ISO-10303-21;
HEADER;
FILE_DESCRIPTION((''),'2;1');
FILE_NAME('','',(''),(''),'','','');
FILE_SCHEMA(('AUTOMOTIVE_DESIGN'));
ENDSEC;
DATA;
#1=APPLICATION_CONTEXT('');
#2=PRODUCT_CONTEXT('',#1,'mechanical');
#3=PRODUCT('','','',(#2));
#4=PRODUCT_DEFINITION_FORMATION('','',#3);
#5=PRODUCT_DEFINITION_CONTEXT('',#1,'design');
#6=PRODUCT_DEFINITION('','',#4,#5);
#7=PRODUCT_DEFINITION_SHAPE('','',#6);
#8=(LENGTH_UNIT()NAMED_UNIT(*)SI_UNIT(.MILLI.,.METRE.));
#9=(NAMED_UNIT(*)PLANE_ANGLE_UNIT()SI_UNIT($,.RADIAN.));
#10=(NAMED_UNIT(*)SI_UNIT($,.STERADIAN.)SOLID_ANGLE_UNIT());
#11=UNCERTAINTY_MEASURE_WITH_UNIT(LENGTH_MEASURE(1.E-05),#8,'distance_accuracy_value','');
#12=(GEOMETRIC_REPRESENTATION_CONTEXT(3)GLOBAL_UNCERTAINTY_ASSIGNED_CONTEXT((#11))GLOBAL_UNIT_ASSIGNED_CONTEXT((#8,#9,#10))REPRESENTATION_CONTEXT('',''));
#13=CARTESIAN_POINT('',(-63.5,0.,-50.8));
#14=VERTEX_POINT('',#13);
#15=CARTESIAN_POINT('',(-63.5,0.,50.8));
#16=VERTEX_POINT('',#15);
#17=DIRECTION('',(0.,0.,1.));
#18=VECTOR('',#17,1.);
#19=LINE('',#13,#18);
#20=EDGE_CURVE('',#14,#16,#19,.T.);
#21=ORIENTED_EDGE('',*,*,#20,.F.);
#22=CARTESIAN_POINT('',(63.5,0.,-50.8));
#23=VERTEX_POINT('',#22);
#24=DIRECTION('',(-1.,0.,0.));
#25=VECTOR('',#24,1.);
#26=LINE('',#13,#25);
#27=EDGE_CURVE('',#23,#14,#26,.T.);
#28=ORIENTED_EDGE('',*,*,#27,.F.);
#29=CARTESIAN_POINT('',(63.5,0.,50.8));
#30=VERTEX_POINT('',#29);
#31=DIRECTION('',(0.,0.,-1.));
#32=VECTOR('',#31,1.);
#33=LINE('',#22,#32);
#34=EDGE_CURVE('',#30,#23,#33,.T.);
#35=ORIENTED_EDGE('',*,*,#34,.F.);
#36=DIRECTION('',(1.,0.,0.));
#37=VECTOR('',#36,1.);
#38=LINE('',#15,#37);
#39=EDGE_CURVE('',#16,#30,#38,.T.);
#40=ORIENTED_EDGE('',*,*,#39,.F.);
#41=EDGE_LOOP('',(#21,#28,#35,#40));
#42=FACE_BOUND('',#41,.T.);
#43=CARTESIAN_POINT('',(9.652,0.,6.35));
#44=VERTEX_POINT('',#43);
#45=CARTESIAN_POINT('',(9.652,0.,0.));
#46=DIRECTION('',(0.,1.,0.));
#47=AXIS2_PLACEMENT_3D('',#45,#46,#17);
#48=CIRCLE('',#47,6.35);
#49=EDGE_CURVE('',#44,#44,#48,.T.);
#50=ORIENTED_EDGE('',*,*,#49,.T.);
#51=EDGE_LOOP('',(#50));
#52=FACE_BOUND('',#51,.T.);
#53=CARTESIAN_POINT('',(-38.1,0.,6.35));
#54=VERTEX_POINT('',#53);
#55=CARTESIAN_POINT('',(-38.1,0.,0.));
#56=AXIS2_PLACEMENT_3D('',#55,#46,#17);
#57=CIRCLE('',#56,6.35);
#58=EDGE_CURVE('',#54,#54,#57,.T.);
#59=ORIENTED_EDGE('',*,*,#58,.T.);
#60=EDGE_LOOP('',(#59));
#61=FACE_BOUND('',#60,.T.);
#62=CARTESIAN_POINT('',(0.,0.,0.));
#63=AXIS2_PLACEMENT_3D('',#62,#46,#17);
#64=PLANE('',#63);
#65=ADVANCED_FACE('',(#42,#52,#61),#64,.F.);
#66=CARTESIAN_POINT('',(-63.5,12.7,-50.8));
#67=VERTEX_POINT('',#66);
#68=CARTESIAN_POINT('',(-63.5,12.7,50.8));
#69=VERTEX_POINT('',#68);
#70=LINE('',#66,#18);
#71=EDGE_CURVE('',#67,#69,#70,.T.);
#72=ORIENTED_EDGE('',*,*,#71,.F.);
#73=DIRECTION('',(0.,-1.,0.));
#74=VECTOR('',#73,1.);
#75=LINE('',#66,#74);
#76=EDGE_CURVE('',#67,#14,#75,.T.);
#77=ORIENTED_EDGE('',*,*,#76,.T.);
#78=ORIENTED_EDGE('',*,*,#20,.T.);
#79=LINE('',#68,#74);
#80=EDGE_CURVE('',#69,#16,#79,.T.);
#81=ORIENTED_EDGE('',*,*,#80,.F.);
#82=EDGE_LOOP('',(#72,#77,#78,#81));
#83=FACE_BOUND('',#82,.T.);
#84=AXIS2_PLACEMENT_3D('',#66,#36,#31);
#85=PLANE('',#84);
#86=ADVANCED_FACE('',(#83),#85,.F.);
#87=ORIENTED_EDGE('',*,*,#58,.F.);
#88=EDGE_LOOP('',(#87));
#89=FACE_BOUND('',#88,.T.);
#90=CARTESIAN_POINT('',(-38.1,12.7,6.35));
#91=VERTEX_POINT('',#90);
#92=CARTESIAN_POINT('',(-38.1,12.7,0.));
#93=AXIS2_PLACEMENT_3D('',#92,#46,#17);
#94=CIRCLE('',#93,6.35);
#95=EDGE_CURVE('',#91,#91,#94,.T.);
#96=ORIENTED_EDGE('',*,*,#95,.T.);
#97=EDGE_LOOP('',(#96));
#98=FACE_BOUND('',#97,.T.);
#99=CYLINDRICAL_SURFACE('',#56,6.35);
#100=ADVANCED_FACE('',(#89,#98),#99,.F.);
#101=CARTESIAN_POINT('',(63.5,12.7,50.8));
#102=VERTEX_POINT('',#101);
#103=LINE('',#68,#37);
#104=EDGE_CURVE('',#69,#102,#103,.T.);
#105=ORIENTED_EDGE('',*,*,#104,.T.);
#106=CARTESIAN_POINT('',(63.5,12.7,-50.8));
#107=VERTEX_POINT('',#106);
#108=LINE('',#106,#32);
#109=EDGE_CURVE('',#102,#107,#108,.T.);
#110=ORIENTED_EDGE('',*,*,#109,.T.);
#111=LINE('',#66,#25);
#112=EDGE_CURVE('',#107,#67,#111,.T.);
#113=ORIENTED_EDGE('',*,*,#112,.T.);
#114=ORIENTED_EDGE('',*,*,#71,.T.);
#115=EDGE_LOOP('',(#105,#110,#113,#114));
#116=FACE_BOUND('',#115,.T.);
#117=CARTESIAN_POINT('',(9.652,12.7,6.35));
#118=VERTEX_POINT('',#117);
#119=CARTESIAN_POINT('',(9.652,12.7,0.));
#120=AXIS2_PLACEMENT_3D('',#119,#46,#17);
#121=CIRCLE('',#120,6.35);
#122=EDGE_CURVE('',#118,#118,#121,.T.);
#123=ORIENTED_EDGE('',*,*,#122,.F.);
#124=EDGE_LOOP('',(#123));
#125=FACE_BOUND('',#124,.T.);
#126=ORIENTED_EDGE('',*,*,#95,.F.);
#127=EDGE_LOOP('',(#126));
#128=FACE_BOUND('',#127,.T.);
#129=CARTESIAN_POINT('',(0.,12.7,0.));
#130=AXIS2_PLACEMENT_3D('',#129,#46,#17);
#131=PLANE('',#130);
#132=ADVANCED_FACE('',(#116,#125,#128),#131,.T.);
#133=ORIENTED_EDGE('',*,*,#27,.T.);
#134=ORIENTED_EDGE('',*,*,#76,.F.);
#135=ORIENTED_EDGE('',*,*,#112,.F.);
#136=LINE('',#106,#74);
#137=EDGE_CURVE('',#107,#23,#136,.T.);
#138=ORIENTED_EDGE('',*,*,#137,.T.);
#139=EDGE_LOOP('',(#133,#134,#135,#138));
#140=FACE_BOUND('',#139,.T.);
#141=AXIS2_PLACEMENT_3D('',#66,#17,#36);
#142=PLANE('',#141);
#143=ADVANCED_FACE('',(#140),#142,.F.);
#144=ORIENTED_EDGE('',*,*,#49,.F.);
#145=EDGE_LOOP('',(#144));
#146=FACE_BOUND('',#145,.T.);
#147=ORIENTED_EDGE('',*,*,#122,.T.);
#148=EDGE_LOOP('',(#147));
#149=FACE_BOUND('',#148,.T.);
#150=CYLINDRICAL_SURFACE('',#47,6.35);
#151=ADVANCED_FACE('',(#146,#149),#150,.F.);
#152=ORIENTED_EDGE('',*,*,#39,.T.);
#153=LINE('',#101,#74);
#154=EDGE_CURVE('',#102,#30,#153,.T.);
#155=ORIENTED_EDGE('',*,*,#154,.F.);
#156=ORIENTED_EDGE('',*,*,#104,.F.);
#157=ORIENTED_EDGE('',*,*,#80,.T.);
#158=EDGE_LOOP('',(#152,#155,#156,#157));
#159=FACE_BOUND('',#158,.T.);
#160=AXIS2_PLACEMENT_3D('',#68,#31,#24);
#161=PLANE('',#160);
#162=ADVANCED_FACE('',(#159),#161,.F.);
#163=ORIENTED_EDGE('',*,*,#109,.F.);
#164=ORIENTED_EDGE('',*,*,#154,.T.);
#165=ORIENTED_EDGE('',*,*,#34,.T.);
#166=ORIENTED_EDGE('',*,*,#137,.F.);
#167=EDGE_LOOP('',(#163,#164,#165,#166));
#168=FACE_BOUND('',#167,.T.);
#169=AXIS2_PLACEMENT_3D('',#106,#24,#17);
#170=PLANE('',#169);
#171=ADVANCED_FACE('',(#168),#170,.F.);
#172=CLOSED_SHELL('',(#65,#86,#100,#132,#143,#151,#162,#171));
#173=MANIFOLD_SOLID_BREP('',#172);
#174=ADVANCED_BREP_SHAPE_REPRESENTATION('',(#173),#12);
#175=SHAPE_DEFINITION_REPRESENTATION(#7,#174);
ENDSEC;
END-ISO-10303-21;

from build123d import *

# Parameters (mm, degrees)
SKETCH1_W           = 127
SKETCH1_H           = 101.6
BOSS_EXTRUDE1_DEPTH = 12.7
SKETCH2_R           = 6.35
CUT_EXTRUDE1_DEPTH  = 13.7


with BuildPart() as part:
    # Sketch1 → Boss-Extrude1 (new body)
    with BuildSketch(Plane(origin=(0, 0, 0), x_dir=(1, 0, 0), z_dir=(0, 1, 0))):
        Rectangle(SKETCH1_W, SKETCH1_H)
    extrude(amount=BOSS_EXTRUDE1_DEPTH)

    # Sketch2 → Cut-Extrude1 (cut, through all)
    with BuildSketch(Plane(origin=(0, 12.7, 0), x_dir=(1, 0, 0), z_dir=(0, 1, 0))):
        with Locations((-38.1, 0)):
            Circle(SKETCH2_R)
        with Locations((9.652, 0)):
            Circle(SKETCH2_R)
    extrude(amount=-CUT_EXTRUDE1_DEPTH, mode=Mode.SUBTRACT)


solid = part.part
